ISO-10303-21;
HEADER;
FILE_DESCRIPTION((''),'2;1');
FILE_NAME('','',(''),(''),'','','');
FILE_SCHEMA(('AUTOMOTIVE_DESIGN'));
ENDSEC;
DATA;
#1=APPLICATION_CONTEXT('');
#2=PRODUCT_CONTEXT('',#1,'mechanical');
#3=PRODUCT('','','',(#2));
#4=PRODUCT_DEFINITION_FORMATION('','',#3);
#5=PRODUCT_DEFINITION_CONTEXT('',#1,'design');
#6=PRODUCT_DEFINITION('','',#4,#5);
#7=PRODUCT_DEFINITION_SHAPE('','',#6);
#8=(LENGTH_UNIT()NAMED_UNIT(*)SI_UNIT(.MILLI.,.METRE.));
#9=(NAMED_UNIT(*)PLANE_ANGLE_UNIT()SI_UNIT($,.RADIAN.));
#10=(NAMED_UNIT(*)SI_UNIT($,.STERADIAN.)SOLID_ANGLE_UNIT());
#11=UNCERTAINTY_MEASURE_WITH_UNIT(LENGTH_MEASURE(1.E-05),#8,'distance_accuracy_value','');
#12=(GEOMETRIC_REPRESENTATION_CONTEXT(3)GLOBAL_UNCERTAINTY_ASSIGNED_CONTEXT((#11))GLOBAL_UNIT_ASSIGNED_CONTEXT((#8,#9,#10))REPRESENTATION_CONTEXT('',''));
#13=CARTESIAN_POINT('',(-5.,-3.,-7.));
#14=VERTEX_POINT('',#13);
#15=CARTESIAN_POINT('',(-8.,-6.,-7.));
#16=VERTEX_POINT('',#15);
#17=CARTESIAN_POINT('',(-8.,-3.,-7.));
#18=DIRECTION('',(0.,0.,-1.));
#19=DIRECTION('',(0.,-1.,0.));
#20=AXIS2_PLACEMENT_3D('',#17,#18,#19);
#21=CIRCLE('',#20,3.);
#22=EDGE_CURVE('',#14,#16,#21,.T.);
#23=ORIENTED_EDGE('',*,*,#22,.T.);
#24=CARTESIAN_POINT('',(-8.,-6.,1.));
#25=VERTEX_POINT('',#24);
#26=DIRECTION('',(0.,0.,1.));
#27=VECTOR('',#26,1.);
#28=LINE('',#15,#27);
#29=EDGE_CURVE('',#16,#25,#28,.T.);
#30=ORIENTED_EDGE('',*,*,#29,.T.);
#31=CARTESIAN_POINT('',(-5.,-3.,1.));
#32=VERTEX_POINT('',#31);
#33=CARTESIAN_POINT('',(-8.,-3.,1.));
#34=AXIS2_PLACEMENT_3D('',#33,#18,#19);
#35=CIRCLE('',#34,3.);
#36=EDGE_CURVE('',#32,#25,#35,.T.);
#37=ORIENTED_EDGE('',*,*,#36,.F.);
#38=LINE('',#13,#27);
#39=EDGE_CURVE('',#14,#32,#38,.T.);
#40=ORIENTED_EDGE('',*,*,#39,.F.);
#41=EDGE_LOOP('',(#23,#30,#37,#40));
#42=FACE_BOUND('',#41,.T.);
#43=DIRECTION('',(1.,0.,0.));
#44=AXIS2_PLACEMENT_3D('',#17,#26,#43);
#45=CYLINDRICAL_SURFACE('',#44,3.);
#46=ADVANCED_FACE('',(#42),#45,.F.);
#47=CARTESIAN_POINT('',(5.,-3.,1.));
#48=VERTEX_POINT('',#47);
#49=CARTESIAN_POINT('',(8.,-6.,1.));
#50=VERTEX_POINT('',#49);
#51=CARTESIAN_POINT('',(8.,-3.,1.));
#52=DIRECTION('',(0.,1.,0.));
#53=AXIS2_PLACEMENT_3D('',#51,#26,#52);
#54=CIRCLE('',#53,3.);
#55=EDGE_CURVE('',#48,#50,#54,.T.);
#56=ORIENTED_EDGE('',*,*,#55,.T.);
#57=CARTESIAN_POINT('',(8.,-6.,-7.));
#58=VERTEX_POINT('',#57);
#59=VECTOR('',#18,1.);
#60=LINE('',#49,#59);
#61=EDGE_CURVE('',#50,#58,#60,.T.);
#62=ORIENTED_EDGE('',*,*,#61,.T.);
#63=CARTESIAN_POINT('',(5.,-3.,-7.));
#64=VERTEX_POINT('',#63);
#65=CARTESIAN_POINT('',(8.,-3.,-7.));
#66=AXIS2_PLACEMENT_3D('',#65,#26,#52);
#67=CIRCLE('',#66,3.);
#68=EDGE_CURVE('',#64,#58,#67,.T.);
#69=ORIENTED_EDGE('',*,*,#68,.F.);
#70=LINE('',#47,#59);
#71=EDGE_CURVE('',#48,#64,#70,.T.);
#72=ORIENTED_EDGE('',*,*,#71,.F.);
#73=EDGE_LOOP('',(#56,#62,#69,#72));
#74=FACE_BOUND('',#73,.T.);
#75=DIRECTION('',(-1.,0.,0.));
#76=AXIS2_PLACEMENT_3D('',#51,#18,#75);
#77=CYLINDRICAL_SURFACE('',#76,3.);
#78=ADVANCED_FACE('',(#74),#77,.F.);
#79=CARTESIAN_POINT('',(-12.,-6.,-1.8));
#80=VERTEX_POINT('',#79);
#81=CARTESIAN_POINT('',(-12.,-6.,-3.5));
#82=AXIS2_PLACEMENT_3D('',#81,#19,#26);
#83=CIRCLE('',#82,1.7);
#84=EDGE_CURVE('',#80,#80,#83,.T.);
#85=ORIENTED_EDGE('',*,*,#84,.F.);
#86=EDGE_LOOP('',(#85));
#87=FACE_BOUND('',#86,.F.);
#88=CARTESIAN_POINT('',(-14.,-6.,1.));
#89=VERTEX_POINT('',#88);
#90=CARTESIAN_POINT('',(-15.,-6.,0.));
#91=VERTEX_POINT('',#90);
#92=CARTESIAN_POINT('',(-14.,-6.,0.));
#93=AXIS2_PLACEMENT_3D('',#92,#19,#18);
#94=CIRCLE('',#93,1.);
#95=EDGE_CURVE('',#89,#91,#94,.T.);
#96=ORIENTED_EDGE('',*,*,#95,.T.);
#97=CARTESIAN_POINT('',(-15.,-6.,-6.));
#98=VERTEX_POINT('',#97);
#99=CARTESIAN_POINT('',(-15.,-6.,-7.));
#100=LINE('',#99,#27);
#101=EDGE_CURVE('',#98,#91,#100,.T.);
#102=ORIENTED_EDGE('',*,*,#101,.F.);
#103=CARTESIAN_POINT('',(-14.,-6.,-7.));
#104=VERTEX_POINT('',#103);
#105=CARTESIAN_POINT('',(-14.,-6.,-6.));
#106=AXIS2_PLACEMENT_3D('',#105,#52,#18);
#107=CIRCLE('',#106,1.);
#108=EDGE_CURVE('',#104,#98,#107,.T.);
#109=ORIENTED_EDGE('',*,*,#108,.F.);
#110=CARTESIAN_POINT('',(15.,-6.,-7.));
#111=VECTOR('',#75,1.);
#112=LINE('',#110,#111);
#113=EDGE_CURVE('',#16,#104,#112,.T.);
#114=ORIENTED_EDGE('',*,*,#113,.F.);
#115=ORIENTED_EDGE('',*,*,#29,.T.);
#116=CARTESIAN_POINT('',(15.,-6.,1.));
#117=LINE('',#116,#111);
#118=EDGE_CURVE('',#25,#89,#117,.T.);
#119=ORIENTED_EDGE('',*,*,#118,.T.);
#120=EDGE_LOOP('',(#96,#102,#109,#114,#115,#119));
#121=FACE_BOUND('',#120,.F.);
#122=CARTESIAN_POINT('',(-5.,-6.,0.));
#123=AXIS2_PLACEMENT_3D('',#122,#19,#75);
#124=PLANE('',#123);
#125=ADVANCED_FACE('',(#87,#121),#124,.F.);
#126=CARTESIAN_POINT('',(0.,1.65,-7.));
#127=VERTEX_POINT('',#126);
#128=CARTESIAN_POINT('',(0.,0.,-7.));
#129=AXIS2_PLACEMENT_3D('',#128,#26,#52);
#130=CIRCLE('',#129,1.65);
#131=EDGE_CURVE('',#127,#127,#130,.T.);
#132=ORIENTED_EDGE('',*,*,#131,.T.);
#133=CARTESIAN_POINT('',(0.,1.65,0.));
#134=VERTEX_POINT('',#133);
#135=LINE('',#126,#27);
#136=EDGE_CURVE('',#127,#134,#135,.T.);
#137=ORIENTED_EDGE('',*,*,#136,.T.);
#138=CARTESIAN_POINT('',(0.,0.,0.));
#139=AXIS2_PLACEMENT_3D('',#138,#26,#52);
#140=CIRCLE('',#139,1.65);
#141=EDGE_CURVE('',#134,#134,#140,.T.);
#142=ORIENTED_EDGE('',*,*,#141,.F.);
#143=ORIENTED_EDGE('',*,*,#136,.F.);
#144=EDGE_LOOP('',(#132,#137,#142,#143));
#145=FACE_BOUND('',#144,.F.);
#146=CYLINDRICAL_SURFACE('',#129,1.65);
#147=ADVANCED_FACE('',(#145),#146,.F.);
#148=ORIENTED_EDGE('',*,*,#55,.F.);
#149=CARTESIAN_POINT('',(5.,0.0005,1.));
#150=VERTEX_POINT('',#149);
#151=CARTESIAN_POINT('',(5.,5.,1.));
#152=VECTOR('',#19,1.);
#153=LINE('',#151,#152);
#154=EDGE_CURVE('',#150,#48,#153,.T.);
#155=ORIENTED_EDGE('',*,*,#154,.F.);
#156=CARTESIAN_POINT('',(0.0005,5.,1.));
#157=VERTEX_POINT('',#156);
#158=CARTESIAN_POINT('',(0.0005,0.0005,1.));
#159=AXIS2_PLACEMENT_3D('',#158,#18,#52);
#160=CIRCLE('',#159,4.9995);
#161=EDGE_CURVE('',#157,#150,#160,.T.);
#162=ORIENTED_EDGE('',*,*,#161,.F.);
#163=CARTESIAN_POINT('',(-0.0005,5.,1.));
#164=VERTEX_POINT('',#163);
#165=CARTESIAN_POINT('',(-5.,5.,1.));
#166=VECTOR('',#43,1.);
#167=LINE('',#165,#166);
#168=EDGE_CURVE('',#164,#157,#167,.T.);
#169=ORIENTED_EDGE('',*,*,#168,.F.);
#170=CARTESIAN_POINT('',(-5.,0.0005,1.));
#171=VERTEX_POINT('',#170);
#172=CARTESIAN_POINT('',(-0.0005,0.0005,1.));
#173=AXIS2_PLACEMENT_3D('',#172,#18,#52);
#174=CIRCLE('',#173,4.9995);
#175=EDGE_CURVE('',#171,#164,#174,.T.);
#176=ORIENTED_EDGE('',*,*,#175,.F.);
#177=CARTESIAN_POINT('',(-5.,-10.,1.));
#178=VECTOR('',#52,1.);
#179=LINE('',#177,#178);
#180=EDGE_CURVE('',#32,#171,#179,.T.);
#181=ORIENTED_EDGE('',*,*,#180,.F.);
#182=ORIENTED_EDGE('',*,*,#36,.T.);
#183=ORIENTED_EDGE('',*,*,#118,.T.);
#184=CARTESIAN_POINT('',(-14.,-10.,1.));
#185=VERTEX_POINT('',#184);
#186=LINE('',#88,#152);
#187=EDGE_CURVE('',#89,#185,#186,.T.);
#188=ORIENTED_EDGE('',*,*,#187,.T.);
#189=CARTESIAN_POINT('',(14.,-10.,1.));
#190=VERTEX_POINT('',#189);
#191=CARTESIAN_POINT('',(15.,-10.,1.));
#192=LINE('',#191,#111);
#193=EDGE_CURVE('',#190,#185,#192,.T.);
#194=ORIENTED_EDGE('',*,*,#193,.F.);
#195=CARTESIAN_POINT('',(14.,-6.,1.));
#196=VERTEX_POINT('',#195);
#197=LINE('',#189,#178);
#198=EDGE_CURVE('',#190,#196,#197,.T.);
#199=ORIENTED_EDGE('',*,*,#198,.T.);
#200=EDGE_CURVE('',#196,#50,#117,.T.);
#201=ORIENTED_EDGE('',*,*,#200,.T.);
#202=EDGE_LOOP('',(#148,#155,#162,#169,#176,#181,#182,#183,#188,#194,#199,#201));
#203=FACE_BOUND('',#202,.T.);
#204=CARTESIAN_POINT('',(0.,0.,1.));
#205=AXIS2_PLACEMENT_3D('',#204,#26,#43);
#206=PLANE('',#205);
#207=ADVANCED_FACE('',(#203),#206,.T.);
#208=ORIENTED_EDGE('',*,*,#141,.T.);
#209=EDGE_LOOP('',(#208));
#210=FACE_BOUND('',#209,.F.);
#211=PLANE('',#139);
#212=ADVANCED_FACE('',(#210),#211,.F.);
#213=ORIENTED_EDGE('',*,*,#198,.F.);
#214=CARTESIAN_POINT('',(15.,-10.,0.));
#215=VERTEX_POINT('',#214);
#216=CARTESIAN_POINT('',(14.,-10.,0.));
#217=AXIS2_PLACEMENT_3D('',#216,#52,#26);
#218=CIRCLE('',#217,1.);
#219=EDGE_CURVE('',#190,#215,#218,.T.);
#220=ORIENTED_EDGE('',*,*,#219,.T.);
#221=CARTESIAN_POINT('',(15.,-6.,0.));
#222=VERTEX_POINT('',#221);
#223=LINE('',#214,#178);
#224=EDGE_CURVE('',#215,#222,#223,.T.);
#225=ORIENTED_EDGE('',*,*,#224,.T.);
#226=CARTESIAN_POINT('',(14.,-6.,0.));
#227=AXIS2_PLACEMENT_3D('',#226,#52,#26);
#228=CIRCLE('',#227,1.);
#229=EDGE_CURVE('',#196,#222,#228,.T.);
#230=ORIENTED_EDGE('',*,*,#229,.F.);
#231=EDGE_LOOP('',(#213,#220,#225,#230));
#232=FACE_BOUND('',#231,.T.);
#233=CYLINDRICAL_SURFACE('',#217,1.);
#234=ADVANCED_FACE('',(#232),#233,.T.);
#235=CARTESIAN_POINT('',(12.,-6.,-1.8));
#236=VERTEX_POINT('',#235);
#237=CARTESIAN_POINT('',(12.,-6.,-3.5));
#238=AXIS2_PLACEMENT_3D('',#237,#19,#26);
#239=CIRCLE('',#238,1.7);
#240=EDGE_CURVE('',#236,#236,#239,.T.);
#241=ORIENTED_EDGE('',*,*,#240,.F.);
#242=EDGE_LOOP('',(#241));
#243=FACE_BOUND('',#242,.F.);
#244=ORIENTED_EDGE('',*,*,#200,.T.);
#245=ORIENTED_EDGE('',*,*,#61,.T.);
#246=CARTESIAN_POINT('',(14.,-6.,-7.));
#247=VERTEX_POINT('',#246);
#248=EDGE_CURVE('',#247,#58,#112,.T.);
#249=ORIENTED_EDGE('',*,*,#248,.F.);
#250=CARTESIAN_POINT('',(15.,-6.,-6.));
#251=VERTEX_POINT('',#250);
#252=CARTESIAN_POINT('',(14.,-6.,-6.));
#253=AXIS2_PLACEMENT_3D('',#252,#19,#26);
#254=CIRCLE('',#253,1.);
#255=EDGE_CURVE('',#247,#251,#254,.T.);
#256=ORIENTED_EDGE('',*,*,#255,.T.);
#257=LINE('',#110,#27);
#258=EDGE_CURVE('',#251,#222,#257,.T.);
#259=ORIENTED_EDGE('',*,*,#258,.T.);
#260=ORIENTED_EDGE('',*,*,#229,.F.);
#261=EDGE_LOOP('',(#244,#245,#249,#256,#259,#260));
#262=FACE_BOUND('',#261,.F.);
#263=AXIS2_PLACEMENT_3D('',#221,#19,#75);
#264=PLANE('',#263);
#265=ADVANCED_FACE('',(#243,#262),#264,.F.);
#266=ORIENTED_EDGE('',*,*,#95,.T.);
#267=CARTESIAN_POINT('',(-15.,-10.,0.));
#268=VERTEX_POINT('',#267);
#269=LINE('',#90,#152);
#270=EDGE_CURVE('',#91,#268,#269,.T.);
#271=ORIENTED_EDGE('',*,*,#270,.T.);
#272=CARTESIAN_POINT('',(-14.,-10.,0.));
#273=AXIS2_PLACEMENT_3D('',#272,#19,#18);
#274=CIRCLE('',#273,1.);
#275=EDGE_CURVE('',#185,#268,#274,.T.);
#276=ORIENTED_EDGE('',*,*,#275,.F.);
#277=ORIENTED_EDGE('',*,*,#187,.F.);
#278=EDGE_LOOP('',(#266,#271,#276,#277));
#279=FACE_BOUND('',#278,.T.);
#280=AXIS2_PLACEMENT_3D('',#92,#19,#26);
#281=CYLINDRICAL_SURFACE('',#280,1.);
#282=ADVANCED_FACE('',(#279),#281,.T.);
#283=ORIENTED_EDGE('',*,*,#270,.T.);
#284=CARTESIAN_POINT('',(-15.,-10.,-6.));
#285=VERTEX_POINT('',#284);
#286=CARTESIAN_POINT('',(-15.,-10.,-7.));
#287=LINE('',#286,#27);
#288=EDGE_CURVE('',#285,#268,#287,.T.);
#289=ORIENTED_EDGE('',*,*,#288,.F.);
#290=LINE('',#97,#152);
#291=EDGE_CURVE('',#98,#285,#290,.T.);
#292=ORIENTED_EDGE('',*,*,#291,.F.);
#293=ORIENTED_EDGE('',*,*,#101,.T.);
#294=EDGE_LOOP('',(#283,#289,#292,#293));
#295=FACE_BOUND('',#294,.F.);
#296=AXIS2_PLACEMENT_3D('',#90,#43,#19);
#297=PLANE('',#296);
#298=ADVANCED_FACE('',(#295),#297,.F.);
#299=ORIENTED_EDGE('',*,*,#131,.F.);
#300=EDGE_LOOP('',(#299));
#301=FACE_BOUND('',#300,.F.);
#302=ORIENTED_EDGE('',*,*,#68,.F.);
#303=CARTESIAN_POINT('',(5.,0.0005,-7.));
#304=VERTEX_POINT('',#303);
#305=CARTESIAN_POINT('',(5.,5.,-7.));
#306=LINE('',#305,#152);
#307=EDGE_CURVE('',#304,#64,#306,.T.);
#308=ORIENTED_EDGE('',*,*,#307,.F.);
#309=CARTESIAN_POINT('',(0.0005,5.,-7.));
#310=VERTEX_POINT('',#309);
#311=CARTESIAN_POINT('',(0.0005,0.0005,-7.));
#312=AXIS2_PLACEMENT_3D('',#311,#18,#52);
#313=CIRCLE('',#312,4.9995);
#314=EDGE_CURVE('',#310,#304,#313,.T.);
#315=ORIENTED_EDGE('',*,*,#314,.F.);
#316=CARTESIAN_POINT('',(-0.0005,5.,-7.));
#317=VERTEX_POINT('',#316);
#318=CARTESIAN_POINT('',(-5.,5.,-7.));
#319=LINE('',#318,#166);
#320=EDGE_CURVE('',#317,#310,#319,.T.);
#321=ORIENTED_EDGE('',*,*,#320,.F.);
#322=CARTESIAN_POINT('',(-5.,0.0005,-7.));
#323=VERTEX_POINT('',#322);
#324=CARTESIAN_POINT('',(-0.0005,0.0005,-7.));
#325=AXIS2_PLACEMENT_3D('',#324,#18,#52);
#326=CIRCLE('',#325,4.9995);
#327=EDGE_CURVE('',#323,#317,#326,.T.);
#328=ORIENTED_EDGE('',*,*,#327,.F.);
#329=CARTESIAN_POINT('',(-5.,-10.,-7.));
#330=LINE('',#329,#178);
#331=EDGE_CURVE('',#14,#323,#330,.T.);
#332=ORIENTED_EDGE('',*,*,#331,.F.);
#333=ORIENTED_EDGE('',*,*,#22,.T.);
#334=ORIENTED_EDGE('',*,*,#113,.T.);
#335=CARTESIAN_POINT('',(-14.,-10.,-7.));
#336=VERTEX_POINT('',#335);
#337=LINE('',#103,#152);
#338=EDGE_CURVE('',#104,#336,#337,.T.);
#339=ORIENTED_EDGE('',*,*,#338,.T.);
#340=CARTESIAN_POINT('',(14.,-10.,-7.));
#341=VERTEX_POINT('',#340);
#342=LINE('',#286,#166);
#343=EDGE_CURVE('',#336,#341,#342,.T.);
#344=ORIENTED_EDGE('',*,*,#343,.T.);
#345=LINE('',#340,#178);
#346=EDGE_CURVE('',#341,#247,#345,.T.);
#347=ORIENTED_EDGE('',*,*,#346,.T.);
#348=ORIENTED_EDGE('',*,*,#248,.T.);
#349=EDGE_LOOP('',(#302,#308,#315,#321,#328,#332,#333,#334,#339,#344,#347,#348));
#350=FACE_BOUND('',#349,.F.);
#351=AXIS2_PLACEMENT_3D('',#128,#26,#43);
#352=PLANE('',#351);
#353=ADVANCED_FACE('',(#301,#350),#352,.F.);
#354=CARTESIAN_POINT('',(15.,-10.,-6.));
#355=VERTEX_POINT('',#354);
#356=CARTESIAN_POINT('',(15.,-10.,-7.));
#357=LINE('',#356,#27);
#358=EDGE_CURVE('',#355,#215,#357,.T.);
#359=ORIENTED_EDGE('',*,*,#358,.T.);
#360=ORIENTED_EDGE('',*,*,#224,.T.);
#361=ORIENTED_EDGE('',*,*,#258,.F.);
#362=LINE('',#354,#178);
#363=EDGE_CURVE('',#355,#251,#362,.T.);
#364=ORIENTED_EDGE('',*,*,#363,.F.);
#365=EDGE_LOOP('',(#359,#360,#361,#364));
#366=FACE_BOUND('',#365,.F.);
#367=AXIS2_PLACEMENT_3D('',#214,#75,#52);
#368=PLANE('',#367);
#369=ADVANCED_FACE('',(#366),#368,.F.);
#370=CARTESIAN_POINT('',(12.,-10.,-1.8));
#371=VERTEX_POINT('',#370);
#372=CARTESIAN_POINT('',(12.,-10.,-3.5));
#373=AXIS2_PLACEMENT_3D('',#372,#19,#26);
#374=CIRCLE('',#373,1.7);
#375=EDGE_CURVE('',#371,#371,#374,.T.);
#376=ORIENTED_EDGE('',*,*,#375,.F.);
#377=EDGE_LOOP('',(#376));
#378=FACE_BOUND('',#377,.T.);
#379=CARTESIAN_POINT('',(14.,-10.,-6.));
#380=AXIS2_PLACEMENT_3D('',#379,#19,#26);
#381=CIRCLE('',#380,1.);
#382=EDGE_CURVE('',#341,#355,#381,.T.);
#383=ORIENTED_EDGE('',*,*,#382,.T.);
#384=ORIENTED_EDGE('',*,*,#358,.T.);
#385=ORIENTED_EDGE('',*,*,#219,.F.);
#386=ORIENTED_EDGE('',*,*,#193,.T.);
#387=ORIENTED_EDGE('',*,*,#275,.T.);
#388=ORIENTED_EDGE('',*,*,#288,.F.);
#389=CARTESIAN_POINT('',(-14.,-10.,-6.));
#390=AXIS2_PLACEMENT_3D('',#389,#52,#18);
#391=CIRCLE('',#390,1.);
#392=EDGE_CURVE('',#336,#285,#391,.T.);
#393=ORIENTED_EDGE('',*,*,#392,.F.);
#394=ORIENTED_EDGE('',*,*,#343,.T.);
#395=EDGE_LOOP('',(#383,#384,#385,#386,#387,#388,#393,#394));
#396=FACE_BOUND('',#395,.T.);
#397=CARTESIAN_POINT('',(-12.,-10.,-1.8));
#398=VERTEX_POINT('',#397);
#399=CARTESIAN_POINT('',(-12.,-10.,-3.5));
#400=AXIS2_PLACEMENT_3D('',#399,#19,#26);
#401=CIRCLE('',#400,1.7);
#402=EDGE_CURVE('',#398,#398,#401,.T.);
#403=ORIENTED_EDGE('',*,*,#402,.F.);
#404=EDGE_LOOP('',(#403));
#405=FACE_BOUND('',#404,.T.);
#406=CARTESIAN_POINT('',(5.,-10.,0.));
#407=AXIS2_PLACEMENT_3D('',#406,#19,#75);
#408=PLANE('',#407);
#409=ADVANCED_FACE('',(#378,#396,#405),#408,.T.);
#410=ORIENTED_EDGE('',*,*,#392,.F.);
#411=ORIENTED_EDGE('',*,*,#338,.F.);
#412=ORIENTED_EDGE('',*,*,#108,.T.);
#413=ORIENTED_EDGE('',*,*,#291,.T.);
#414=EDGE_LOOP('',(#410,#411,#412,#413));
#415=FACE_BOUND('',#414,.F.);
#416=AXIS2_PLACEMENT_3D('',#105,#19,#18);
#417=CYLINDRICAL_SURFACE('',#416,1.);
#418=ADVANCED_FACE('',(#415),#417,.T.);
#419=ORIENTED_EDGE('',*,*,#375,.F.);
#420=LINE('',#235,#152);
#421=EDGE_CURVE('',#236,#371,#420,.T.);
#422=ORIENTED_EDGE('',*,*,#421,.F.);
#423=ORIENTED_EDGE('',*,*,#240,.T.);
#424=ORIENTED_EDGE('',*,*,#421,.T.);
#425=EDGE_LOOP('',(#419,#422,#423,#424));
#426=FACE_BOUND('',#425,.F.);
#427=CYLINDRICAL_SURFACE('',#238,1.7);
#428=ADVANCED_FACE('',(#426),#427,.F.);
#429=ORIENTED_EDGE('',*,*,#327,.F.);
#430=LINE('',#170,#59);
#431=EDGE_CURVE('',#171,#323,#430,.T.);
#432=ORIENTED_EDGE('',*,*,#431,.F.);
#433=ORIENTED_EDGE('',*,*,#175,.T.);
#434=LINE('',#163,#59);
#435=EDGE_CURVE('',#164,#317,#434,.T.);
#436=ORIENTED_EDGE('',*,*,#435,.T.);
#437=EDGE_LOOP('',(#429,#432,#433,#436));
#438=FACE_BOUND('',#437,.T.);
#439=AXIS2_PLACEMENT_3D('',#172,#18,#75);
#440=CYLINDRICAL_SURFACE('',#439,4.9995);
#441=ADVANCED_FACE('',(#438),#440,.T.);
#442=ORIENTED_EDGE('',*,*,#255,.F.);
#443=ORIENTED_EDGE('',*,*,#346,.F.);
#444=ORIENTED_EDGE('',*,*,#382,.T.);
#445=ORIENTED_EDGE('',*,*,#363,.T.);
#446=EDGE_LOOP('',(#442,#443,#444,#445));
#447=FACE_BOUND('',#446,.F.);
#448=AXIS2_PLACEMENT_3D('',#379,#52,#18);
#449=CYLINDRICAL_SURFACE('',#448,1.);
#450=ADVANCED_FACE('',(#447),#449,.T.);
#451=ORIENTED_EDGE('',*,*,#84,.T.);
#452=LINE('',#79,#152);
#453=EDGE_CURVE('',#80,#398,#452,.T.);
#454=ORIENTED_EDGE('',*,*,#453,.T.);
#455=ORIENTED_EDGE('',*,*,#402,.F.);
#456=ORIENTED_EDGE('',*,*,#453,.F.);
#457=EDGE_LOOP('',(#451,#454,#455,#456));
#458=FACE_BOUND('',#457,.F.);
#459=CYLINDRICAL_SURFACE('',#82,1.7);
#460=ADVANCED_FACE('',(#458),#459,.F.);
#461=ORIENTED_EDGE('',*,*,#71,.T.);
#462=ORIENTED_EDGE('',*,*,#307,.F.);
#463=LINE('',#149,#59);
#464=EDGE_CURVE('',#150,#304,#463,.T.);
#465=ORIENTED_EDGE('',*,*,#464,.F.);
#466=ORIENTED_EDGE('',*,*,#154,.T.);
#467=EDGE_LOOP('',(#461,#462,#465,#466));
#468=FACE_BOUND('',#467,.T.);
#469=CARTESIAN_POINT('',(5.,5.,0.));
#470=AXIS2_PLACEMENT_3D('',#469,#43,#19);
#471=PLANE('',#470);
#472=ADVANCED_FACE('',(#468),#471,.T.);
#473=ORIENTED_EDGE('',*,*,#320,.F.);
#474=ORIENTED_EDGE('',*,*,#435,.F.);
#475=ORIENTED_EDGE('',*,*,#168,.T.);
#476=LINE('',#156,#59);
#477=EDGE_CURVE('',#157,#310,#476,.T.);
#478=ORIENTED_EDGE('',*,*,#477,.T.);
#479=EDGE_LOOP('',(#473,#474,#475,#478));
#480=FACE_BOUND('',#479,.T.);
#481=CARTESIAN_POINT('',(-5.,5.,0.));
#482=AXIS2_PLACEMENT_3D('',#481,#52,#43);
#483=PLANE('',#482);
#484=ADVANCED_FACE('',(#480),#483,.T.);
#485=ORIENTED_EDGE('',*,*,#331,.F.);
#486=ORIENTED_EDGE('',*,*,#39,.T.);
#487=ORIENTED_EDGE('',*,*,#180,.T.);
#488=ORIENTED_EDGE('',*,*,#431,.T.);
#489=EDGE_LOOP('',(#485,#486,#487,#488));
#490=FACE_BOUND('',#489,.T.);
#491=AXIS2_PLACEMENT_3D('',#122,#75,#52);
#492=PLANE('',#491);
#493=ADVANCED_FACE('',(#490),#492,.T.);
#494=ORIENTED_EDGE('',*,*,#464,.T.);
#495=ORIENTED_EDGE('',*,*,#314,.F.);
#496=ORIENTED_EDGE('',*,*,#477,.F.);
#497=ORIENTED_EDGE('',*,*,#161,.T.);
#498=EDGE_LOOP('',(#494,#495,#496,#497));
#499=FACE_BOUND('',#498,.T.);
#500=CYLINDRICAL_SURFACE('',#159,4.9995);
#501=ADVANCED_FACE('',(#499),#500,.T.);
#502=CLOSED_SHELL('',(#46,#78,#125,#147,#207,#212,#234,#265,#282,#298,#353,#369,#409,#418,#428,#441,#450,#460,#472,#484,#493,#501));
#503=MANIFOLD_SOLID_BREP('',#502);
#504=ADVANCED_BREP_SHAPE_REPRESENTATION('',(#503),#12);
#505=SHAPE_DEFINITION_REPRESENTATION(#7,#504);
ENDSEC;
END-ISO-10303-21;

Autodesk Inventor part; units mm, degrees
ref_plane "YZ Plane" through (0, 0, 0) normal (1, 0, 0) x (0, 1, 0)
ref_plane "XZ Plane" through (0, 0, 0) normal (0, 1, 0) x (-1, 0, 0)
ref_plane "XY Plane" through (0, 0, 0) normal (0, 0, 1) x (1, 0, 0)
sketch "Boceto1" plane through (0, 0, 0) normal (0, 0, 1) x (1, 0, 0)
  circle A0 centre (0, 0) radius 1.65
  line L0 (-15.5, -10) -> (35.5, -10) construction
  line L1 (5, -10) -> (-5, -10)
  line L2 (-5, -10) -> (-5, 5)
  line L3 (-5, 5) -> (5, 5)
  line L4 (5, 5) -> (5, -10)
  line L5 (-15, -10) -> (15, -10)
  line L6 (15, -10) -> (15, -6)
  line L7 (15, -6) -> (-15, -6)
  line L8 (-15, -6) -> (-15, -10)
  point P0 (-5, -6)
  point P1 (5, -6)
  dimension "d0" = 3.3
  dimension "d1" = 5
  dimension "d2" = 5
  dimension "d3" = 5
  dimension "d4" = 10
  dimension "d5" = 10
  dimension "d6" = 4
extrude "Extrusión1" add sketch "Boceto1" along normal blind 1 and the other way blind 7 contours A0 | L1 L2 L7 L4 | L4 L7 L6 L5 | L5 L8 L7 L2 | L7 L2 L3 L4
sketch "Boceto2" plane through (-15, -6, -7) normal (0, 1, 0) x (-1, 0, 0)
  line L0 (-30, 0) -> (-20, 0) construction
  line L1 (-30, 0) -> (-30, 8) construction
  line L2 (0, 8) -> (-10, 8) construction
  line L3 (0, 0) -> (0, 8) construction
  line L4 (-20, 8) -> (-30, 8) projected
  point P0 (-15, 7)
  point P1 (-3, 3.5)
  point P2 (-27, 3.5)
  dimension "d35" = 3.5
  dimension "d36" = 3
  dimension "d37" = 3.5
  dimension "d38" = 3
hole "Agujero1" at (-12, -6, -3.5) at (12, -6, -3.5) direction (0, -1, 0) diameter 3.4 end through all
fillet "Empalme1" radius 5 2 edges at (-5, 5, -3) (5, 5, -3)
fillet "Empalme2" radius 3 2 edges at (-5, -6, -3) (5, -6, -3)
fillet "Empalme3" radius 1 4 edges at (-15, -8, -7) (-15, -8, 1) (15, -8, -7) (15, -8, 1)
sketch "Boceto6" plane through (0, 0, -7) normal (0, 0, -1) x (-1, 0, 0)
  point P0 (0, 0)
hole "Agujero3" at (0, 0, -7) direction (0, 0, 1) diameter 3.3 depth 7
properties part number "SoporteEjes"
